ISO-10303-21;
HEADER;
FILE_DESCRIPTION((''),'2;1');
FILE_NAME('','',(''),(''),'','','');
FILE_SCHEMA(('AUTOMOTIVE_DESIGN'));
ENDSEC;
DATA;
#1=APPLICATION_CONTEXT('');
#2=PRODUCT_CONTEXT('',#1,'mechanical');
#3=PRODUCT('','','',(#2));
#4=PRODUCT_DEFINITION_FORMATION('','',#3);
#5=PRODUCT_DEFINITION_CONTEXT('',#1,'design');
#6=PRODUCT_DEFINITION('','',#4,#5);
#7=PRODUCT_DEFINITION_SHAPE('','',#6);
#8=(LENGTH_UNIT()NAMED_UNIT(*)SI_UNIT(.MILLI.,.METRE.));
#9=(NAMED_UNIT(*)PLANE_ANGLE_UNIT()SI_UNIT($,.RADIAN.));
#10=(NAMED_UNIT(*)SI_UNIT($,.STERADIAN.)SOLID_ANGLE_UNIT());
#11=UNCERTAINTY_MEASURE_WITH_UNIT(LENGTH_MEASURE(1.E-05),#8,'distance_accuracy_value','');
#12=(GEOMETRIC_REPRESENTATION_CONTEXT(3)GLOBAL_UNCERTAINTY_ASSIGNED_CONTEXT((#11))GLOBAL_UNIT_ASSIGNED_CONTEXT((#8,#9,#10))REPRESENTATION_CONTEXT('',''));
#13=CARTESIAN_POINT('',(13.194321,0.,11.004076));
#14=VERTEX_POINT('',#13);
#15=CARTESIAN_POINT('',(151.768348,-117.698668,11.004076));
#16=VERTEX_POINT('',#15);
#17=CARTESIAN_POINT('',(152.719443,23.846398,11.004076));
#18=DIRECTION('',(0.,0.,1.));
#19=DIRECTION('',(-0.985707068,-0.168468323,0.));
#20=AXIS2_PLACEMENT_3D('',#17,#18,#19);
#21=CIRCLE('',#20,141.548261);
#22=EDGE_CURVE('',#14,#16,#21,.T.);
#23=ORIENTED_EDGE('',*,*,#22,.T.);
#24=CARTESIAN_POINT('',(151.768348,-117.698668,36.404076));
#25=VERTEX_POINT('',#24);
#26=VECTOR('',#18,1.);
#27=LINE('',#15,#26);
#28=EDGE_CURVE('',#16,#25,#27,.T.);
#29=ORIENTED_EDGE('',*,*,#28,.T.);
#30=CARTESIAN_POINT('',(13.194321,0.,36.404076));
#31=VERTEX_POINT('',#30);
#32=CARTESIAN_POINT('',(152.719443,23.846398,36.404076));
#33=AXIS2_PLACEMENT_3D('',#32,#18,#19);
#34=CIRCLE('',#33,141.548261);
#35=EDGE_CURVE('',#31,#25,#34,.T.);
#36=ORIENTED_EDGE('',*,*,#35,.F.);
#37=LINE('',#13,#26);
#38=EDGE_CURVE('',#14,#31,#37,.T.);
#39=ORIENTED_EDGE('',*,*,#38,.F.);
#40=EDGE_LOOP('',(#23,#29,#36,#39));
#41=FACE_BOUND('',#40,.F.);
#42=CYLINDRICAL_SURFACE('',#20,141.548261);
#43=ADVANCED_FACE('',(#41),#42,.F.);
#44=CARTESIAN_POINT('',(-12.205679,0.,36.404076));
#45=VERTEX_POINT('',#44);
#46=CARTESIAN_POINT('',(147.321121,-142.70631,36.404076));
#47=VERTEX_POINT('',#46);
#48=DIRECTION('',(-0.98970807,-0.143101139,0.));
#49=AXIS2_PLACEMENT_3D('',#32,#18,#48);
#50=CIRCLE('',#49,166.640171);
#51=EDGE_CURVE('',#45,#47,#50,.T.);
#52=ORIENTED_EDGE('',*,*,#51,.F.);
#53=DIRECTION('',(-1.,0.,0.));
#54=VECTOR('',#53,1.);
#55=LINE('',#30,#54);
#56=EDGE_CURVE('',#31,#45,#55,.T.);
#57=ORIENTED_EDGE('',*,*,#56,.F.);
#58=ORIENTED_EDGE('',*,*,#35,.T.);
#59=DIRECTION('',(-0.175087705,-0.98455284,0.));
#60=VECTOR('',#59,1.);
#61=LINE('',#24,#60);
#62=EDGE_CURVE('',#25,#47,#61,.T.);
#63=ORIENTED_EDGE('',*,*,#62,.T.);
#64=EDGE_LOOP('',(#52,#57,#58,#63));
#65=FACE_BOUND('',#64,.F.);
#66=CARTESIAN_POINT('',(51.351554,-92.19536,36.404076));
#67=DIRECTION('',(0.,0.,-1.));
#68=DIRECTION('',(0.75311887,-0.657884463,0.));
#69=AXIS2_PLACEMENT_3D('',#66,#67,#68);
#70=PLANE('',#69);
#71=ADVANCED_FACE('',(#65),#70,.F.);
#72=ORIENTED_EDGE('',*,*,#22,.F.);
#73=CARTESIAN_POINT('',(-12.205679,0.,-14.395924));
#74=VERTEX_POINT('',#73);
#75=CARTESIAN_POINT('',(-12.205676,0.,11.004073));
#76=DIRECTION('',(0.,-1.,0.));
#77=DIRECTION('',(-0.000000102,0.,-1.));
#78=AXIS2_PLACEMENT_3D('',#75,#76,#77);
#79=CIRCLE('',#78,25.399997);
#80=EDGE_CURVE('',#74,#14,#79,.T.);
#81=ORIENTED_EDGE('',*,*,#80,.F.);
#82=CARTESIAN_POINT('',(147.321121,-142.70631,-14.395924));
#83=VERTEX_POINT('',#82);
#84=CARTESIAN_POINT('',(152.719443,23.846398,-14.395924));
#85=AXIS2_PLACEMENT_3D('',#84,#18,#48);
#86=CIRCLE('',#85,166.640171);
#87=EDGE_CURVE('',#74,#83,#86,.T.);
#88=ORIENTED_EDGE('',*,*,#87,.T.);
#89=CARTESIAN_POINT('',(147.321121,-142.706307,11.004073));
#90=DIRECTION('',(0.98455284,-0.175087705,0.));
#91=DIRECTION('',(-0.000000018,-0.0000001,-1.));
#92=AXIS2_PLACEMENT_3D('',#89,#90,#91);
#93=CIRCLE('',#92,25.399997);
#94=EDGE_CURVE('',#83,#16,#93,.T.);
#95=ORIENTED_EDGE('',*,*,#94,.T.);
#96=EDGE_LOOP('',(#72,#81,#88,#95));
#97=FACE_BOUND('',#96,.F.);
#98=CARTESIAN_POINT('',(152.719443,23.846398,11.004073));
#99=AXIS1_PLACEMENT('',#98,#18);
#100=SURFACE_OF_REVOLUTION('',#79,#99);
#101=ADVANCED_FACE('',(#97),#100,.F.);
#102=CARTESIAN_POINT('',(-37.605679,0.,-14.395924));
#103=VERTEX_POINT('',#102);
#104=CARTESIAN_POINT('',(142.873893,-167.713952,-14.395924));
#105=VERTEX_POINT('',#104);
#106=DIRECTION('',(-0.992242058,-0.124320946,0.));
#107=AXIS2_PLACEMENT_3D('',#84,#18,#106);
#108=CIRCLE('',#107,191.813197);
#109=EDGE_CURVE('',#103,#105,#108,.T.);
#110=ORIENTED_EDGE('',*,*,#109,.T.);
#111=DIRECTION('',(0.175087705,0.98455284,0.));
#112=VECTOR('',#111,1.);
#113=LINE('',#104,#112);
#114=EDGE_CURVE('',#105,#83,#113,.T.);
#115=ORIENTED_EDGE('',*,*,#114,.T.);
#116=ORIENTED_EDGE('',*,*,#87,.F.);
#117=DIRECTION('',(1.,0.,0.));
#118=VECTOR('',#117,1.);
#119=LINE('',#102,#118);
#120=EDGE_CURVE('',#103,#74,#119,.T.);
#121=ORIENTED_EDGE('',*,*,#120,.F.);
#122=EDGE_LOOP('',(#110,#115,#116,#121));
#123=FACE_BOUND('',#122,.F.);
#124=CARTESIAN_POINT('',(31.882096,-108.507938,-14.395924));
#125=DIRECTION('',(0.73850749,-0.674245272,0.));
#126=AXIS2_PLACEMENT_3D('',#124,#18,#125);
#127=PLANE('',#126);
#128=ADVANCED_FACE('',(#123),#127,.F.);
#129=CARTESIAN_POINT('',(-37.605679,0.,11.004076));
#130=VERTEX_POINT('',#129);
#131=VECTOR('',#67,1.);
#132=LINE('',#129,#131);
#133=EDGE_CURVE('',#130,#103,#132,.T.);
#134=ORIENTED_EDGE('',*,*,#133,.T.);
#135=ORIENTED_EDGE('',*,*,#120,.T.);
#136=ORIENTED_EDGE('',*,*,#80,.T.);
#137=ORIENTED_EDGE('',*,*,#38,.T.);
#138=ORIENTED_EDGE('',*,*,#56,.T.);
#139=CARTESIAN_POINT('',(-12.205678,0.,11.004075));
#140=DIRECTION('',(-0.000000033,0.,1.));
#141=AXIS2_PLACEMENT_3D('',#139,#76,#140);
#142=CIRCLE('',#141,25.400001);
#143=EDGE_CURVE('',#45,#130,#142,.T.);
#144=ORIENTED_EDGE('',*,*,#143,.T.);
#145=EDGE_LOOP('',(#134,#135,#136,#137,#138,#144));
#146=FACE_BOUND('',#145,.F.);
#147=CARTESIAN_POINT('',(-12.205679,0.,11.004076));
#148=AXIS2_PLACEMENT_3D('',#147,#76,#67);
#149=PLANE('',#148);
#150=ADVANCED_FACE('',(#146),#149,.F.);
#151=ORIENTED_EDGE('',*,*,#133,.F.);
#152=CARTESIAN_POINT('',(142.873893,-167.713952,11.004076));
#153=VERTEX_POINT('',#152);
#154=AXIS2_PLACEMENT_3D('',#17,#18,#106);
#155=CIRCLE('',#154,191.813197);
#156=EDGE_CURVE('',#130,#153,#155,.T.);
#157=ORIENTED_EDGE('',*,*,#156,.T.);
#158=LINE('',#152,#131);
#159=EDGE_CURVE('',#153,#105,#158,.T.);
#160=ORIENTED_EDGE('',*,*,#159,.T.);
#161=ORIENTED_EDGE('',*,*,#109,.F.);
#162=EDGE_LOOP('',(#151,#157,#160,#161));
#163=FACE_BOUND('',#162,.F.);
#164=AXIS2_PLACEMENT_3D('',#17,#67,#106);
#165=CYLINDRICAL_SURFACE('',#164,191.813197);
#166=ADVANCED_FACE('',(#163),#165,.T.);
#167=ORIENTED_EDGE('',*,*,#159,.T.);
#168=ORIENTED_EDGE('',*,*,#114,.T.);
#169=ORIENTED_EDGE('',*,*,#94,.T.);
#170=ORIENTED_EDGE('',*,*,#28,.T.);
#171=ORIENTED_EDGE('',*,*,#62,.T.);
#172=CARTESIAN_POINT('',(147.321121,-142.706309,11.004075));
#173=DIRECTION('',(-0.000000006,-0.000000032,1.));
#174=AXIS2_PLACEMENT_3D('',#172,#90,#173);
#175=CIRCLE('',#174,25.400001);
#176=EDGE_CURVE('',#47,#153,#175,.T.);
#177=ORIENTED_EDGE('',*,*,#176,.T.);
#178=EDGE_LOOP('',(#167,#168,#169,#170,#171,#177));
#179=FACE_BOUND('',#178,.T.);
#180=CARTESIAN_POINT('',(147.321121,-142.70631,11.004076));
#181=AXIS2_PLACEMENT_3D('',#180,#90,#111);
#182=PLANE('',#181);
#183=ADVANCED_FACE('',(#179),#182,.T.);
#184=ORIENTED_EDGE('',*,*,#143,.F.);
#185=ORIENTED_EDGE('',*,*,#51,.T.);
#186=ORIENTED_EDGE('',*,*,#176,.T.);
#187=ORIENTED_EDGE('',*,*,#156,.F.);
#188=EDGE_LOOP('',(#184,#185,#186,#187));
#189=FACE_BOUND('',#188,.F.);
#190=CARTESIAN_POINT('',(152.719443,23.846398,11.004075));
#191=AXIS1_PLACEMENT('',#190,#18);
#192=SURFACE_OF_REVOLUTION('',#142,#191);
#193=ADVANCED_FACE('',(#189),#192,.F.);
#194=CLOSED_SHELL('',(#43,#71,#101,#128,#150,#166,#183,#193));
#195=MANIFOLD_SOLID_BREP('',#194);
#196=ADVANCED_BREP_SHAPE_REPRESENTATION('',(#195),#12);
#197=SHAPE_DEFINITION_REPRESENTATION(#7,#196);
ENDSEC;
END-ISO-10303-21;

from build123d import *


with BuildPart() as f2:
    # F2: sweep along a path in F1
    with BuildLine(Plane.XY) as f2_path:
        ThreePointArc((0, 0), (50.97265, -92.512826), (149.458185, -130.689174))
    # F0 (on Front) → F2 (sweep)
    with BuildSketch(Plane.XZ):
        with BuildLine():
            Line((-37.605679, -14.395924), (-12.205679, -14.395924))
            ThreePointArc((-12.205679, -14.395924), (5.754834, -6.956437), (13.194321, 11.004076))
            Line((13.194321, 11.004076), (13.194321, 36.404076))
            Line((13.194321, 36.404076), (-12.205679, 36.404076))
            ThreePointArc((-12.205679, 36.404076), (-30.166191, 28.964588), (-37.605679, 11.004076))
            Line((-37.605679, 11.004076), (-37.605679, -14.395924))
        make_face()
    sweep(path=f2_path.line)


solid = f2.part
